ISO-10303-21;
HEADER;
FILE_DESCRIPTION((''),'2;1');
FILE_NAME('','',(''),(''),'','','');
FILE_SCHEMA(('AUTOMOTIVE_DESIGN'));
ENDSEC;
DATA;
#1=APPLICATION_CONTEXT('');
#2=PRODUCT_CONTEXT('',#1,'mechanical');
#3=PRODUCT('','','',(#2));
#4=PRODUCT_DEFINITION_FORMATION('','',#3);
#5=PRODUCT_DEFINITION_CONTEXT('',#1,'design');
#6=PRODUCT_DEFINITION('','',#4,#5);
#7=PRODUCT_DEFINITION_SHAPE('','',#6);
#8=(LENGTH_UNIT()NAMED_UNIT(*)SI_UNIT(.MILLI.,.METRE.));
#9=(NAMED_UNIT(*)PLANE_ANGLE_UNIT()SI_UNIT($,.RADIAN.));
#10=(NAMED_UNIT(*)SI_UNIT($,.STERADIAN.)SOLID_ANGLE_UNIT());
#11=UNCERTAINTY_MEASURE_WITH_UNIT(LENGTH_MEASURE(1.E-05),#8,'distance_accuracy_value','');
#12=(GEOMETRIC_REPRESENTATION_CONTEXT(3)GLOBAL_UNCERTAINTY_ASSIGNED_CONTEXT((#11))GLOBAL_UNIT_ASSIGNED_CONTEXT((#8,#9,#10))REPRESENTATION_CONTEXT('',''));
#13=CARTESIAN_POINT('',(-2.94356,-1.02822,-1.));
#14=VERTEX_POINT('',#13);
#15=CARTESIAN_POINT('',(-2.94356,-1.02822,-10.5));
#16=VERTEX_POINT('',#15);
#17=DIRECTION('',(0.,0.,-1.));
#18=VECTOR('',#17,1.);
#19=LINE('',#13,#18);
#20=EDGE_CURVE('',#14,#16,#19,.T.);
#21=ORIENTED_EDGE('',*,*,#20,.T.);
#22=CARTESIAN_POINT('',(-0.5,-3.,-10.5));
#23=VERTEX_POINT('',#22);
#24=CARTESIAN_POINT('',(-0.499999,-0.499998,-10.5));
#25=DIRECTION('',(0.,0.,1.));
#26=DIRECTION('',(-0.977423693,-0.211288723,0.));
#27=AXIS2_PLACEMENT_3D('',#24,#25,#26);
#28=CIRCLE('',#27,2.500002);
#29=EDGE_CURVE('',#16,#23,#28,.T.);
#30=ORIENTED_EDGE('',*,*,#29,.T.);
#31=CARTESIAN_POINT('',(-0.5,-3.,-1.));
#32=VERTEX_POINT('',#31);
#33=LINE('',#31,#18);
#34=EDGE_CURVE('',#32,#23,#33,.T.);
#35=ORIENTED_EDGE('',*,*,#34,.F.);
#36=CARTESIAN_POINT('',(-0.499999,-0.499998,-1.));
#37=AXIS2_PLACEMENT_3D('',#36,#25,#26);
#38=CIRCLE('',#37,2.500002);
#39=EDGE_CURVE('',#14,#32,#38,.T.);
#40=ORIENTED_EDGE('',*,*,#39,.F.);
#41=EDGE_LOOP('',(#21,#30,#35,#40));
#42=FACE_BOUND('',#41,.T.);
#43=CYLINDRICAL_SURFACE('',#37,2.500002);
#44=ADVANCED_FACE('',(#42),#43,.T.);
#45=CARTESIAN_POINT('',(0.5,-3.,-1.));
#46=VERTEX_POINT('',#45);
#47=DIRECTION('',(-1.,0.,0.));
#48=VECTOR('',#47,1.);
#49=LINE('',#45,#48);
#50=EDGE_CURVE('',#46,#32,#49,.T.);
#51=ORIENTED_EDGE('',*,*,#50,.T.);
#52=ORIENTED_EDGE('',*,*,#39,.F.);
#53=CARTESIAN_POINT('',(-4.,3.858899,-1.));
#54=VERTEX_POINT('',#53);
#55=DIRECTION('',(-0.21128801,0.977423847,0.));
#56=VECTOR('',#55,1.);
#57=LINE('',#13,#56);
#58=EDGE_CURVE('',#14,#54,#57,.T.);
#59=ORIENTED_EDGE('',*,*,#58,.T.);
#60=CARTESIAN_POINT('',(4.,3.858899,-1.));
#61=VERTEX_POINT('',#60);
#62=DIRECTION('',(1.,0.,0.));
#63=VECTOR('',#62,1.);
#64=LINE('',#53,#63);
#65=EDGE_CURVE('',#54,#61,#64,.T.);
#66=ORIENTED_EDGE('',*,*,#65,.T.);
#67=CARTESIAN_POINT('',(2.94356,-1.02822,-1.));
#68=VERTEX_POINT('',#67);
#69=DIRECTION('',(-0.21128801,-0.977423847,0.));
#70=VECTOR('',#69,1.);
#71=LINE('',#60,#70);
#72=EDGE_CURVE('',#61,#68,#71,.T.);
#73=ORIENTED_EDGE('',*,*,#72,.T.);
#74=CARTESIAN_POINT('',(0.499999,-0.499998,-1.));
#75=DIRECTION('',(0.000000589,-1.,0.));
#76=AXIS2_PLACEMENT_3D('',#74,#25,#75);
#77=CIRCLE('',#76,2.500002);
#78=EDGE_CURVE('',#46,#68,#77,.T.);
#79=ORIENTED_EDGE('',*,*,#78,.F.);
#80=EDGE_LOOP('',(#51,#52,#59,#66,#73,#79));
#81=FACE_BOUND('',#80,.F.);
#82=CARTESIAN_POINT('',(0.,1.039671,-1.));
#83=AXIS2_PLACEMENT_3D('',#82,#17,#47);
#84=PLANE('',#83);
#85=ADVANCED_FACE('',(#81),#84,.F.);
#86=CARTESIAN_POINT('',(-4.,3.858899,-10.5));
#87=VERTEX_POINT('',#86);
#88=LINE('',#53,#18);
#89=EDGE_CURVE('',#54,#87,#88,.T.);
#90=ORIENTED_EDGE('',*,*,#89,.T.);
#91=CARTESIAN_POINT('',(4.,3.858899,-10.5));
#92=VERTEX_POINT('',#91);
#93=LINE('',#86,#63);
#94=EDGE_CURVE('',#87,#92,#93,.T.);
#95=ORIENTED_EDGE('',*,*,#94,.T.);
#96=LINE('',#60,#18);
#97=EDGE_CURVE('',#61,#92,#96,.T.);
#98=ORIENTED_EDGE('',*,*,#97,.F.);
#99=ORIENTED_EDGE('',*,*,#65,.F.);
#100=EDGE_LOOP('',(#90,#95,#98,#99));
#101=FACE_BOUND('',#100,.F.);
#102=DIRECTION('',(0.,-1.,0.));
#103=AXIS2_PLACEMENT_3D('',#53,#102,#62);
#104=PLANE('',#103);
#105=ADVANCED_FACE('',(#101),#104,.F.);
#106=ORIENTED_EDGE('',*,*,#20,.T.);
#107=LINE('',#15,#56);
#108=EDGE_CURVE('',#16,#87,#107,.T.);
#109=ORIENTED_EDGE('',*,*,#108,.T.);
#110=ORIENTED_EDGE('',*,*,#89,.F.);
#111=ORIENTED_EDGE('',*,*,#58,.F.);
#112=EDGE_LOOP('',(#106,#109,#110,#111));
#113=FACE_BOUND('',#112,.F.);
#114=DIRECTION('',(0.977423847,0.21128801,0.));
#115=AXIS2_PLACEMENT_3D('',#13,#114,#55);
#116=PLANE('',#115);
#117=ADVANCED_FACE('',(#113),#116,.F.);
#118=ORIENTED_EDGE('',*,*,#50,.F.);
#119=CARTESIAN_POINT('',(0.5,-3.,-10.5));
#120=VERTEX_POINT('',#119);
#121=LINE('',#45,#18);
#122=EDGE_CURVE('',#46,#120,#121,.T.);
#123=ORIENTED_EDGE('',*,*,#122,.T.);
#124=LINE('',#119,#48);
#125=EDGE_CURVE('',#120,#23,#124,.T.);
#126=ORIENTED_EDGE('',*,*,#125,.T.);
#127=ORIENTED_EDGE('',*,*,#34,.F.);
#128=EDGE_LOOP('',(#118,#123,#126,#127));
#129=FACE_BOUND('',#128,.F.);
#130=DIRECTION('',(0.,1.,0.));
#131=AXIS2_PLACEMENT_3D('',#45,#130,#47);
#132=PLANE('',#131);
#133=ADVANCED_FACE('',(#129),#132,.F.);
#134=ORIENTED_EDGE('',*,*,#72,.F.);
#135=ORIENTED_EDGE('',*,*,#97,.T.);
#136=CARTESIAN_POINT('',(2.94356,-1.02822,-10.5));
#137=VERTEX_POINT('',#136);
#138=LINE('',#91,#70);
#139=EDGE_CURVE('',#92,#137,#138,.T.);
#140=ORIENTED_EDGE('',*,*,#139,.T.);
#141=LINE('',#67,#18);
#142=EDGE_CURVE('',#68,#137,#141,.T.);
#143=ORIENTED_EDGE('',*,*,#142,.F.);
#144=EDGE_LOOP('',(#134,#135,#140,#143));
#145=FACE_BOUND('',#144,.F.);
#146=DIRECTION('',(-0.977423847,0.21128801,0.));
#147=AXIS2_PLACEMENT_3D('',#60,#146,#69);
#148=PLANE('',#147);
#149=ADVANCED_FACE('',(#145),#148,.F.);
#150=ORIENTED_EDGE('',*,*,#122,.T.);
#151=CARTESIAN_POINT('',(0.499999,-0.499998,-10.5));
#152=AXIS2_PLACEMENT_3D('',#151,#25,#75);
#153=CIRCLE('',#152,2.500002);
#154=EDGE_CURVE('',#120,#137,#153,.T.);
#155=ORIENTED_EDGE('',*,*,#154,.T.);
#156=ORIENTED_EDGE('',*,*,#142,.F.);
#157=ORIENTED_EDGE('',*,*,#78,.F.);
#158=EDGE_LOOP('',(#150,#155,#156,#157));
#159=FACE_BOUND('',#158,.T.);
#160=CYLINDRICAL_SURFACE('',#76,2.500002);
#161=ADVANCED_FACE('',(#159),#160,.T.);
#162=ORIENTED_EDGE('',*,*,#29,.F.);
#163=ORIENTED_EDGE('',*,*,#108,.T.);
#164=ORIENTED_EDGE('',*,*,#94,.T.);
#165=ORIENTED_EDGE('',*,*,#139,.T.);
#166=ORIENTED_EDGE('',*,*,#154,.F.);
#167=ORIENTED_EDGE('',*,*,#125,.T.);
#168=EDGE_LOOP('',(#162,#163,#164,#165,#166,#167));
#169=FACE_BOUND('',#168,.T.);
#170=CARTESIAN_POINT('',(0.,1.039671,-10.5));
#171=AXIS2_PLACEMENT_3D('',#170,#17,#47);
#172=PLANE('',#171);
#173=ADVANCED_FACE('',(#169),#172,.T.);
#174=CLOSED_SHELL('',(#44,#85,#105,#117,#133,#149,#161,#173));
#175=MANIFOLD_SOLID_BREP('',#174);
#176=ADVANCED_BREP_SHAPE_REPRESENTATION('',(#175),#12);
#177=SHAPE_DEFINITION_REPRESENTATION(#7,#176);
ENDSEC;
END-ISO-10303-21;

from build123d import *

# Parameters (mm, degrees)
PAD009_DEPTH = 9.5


with BuildPart() as part:
    # Sketch018 → Pad009 (new body)
    with BuildSketch(Plane.XY.offset(-1)):
        with BuildLine():
            Line((-4, 3.858899), (4, 3.858899))
            Line((4, 3.858899), (2.94356, -1.02822))
            ThreePointArc((0.5, -3), (2.069944, -2.445578), (2.94356, -1.02822))
            Line((0.5, -3), (-0.5, -3))
            ThreePointArc((-2.94356, -1.02822), (-2.069944, -2.445578), (-0.5, -3))
            Line((-2.94356, -1.02822), (-4, 3.858899))
        make_face()
    extrude(amount=-PAD009_DEPTH)


solid = part.part
